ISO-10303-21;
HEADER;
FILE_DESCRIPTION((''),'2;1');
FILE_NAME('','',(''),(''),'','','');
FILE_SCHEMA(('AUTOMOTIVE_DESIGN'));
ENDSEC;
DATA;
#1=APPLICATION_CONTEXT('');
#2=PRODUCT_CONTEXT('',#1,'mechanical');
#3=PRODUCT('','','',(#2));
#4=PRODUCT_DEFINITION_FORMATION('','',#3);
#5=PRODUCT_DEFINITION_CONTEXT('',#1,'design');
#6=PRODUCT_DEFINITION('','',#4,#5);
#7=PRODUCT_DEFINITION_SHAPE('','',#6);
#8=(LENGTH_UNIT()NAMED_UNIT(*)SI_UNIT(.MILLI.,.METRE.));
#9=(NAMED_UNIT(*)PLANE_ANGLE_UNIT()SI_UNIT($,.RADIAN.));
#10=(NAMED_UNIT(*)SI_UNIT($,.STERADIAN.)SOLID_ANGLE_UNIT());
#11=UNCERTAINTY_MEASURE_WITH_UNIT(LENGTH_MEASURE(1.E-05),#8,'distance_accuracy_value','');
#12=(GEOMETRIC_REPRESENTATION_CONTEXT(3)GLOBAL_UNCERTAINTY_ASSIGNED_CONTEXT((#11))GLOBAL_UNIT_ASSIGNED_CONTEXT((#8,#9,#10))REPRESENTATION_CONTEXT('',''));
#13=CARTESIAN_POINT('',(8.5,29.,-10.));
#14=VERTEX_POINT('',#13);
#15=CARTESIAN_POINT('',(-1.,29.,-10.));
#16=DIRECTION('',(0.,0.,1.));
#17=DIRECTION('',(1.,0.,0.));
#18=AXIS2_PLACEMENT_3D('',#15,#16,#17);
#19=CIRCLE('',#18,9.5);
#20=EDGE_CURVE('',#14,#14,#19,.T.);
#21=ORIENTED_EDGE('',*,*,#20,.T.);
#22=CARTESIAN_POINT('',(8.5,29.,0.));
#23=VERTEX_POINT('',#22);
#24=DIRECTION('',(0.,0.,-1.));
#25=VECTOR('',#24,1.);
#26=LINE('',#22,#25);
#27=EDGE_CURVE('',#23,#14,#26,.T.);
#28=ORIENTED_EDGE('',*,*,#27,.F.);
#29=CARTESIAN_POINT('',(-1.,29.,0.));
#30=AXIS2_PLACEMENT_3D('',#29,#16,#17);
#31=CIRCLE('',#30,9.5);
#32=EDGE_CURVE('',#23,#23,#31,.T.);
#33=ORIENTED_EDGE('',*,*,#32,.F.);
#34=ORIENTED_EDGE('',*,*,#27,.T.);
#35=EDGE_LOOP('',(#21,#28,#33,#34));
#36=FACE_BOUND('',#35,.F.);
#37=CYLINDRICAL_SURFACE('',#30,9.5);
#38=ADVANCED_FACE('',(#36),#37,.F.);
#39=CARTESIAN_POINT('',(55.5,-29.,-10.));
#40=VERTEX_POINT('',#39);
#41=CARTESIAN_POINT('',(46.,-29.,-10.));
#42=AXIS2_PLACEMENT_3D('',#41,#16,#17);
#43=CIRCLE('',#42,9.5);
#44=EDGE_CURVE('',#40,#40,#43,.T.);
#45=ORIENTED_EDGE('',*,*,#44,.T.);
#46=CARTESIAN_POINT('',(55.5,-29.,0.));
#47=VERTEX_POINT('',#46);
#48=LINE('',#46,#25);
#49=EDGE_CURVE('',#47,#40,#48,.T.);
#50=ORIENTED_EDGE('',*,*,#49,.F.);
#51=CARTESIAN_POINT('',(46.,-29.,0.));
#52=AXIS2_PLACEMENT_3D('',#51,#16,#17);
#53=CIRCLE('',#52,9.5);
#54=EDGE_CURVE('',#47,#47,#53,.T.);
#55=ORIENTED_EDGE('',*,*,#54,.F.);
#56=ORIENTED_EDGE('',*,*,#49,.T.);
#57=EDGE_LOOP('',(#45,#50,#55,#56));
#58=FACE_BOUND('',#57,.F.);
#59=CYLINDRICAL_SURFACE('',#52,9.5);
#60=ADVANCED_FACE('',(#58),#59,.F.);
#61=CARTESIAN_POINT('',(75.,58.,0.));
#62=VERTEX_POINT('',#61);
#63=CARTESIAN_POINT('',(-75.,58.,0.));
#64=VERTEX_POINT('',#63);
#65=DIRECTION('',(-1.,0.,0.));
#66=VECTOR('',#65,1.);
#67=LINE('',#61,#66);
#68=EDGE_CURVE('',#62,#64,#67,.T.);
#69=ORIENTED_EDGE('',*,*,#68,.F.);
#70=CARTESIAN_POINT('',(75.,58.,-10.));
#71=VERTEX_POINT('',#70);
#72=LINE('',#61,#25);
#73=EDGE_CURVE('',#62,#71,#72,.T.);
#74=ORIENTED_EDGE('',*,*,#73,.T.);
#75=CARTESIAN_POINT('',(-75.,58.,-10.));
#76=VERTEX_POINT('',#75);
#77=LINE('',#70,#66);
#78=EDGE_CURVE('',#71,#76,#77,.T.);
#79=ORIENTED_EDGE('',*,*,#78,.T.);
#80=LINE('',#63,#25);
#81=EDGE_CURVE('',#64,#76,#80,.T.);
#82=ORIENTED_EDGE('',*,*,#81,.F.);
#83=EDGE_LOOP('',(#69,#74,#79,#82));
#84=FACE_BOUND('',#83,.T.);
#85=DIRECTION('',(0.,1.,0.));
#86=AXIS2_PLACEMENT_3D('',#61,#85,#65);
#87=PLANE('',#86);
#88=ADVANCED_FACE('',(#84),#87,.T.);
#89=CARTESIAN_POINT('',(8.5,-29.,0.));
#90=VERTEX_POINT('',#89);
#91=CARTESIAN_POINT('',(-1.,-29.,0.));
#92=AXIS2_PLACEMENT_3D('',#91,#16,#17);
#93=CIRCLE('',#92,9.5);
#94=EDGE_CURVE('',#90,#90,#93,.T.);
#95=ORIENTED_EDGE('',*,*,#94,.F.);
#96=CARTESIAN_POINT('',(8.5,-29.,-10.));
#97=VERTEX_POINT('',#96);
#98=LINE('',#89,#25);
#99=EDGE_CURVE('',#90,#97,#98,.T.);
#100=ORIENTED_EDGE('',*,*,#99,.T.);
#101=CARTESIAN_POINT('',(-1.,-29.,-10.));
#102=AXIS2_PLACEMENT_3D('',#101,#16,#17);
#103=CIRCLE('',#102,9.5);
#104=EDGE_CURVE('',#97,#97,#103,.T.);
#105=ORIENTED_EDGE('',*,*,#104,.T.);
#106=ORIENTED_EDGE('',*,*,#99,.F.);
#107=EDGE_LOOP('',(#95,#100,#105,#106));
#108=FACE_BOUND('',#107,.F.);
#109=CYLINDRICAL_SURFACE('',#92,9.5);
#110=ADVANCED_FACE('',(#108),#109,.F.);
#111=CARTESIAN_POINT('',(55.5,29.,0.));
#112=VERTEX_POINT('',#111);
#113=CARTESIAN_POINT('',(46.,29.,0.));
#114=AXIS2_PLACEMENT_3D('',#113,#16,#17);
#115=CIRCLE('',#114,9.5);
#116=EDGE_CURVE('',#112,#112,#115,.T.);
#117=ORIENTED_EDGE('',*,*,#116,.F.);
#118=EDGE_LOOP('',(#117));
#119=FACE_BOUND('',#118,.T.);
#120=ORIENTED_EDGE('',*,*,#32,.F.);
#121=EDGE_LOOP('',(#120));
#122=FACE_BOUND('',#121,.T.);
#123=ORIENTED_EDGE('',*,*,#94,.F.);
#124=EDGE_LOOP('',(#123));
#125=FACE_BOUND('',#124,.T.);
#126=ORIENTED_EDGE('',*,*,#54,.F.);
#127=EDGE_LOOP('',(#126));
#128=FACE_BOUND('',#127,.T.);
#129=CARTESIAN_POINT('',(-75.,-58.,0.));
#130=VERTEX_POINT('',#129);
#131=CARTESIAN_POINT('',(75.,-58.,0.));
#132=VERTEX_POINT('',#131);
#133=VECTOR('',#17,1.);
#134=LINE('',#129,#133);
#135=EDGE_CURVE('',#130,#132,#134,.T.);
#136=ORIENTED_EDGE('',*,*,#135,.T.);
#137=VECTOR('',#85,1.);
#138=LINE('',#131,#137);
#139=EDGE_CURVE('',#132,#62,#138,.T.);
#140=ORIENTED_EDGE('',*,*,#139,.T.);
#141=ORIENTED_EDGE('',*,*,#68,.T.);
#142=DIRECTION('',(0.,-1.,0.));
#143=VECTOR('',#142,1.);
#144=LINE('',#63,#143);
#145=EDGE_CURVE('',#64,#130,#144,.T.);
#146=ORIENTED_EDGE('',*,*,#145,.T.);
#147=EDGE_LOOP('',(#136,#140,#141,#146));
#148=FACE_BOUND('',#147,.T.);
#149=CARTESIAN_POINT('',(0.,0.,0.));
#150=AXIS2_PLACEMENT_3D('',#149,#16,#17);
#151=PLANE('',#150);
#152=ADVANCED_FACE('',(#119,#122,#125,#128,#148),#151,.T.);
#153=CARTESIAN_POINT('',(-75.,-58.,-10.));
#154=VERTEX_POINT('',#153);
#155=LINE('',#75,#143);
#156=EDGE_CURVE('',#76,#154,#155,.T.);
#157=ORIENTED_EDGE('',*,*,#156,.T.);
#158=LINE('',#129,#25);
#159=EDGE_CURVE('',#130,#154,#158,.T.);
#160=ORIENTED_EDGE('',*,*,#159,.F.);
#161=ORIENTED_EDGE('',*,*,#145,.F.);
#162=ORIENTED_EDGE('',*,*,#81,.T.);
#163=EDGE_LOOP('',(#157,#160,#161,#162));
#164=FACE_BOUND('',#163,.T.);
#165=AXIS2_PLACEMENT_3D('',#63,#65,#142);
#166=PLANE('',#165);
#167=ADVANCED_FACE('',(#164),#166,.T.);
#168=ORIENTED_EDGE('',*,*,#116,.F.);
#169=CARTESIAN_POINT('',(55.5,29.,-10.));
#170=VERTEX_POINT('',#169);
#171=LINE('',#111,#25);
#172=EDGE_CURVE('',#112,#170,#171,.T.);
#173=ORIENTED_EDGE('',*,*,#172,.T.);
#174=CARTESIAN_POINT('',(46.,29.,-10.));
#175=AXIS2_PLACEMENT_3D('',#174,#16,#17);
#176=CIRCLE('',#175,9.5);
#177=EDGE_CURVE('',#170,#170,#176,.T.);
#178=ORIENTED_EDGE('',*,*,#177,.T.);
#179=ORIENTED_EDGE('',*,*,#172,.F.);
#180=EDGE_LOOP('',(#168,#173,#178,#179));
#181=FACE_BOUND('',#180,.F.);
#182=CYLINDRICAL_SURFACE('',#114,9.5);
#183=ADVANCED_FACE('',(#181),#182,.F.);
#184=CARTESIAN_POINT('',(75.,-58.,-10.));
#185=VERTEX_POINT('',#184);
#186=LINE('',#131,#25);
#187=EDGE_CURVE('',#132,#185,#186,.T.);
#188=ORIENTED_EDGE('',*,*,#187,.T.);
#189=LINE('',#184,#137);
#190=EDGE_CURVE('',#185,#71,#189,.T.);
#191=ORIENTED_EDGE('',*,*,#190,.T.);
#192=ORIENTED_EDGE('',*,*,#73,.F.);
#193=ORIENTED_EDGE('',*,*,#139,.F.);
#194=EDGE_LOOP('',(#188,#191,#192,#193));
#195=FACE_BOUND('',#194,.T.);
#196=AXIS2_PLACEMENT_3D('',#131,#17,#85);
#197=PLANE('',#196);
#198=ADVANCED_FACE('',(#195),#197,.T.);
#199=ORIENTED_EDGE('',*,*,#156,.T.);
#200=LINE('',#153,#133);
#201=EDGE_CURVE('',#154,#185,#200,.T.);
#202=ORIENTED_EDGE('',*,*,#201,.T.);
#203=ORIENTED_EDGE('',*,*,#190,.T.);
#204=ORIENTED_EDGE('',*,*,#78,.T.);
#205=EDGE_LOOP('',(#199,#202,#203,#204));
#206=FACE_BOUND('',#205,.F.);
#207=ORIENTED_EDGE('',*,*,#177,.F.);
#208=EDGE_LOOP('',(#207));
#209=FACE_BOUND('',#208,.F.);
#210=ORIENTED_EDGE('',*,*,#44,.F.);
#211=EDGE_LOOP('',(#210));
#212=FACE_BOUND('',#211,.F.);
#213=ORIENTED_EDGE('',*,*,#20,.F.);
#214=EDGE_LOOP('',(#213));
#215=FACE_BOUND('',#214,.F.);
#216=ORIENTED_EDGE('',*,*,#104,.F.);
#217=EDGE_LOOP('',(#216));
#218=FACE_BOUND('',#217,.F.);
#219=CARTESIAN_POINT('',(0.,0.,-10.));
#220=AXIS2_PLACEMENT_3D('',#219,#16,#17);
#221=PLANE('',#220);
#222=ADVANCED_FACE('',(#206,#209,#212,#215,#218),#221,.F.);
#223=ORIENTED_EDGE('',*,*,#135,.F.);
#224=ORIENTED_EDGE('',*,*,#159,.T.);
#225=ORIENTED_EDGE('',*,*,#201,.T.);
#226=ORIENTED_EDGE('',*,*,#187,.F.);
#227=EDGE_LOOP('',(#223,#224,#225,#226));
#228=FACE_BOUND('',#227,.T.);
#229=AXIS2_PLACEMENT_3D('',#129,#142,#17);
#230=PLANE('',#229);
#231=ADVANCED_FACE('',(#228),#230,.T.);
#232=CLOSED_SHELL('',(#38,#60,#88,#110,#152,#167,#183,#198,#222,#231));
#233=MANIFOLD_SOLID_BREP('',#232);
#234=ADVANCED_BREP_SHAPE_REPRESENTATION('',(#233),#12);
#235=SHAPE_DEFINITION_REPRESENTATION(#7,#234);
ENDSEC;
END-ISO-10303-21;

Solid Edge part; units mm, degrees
sketch "Sketch1" plane through (0, 0, 0) normal (0, 0, 1) x (1, 0, 0)
  line L0 (75, -58) -> (75, 58)
  line L1 (75, 58) -> (-75, 58)
  line L2 (-75, 58) -> (-75, -58)
  line L3 (-75, -58) -> (75, -58)
extrude "Protrusion1" add sketch "Sketch1" against normal blind 10
sketch "Sketch2" plane through (0, 0, 0) normal (0, 0, 1) x (1, 0, 0)
  circle A0 centre (46, 29) radius 9.5
extrude "ExtrudedCutout_1" cut sketch "Sketch2" against normal blind 10
pattern_linear "Pattern1" count 2 spacing 47 along (-1, 0, 0) count 2 spacing 58 along (0, -1, 0) of "ExtrudedCutout_1"
